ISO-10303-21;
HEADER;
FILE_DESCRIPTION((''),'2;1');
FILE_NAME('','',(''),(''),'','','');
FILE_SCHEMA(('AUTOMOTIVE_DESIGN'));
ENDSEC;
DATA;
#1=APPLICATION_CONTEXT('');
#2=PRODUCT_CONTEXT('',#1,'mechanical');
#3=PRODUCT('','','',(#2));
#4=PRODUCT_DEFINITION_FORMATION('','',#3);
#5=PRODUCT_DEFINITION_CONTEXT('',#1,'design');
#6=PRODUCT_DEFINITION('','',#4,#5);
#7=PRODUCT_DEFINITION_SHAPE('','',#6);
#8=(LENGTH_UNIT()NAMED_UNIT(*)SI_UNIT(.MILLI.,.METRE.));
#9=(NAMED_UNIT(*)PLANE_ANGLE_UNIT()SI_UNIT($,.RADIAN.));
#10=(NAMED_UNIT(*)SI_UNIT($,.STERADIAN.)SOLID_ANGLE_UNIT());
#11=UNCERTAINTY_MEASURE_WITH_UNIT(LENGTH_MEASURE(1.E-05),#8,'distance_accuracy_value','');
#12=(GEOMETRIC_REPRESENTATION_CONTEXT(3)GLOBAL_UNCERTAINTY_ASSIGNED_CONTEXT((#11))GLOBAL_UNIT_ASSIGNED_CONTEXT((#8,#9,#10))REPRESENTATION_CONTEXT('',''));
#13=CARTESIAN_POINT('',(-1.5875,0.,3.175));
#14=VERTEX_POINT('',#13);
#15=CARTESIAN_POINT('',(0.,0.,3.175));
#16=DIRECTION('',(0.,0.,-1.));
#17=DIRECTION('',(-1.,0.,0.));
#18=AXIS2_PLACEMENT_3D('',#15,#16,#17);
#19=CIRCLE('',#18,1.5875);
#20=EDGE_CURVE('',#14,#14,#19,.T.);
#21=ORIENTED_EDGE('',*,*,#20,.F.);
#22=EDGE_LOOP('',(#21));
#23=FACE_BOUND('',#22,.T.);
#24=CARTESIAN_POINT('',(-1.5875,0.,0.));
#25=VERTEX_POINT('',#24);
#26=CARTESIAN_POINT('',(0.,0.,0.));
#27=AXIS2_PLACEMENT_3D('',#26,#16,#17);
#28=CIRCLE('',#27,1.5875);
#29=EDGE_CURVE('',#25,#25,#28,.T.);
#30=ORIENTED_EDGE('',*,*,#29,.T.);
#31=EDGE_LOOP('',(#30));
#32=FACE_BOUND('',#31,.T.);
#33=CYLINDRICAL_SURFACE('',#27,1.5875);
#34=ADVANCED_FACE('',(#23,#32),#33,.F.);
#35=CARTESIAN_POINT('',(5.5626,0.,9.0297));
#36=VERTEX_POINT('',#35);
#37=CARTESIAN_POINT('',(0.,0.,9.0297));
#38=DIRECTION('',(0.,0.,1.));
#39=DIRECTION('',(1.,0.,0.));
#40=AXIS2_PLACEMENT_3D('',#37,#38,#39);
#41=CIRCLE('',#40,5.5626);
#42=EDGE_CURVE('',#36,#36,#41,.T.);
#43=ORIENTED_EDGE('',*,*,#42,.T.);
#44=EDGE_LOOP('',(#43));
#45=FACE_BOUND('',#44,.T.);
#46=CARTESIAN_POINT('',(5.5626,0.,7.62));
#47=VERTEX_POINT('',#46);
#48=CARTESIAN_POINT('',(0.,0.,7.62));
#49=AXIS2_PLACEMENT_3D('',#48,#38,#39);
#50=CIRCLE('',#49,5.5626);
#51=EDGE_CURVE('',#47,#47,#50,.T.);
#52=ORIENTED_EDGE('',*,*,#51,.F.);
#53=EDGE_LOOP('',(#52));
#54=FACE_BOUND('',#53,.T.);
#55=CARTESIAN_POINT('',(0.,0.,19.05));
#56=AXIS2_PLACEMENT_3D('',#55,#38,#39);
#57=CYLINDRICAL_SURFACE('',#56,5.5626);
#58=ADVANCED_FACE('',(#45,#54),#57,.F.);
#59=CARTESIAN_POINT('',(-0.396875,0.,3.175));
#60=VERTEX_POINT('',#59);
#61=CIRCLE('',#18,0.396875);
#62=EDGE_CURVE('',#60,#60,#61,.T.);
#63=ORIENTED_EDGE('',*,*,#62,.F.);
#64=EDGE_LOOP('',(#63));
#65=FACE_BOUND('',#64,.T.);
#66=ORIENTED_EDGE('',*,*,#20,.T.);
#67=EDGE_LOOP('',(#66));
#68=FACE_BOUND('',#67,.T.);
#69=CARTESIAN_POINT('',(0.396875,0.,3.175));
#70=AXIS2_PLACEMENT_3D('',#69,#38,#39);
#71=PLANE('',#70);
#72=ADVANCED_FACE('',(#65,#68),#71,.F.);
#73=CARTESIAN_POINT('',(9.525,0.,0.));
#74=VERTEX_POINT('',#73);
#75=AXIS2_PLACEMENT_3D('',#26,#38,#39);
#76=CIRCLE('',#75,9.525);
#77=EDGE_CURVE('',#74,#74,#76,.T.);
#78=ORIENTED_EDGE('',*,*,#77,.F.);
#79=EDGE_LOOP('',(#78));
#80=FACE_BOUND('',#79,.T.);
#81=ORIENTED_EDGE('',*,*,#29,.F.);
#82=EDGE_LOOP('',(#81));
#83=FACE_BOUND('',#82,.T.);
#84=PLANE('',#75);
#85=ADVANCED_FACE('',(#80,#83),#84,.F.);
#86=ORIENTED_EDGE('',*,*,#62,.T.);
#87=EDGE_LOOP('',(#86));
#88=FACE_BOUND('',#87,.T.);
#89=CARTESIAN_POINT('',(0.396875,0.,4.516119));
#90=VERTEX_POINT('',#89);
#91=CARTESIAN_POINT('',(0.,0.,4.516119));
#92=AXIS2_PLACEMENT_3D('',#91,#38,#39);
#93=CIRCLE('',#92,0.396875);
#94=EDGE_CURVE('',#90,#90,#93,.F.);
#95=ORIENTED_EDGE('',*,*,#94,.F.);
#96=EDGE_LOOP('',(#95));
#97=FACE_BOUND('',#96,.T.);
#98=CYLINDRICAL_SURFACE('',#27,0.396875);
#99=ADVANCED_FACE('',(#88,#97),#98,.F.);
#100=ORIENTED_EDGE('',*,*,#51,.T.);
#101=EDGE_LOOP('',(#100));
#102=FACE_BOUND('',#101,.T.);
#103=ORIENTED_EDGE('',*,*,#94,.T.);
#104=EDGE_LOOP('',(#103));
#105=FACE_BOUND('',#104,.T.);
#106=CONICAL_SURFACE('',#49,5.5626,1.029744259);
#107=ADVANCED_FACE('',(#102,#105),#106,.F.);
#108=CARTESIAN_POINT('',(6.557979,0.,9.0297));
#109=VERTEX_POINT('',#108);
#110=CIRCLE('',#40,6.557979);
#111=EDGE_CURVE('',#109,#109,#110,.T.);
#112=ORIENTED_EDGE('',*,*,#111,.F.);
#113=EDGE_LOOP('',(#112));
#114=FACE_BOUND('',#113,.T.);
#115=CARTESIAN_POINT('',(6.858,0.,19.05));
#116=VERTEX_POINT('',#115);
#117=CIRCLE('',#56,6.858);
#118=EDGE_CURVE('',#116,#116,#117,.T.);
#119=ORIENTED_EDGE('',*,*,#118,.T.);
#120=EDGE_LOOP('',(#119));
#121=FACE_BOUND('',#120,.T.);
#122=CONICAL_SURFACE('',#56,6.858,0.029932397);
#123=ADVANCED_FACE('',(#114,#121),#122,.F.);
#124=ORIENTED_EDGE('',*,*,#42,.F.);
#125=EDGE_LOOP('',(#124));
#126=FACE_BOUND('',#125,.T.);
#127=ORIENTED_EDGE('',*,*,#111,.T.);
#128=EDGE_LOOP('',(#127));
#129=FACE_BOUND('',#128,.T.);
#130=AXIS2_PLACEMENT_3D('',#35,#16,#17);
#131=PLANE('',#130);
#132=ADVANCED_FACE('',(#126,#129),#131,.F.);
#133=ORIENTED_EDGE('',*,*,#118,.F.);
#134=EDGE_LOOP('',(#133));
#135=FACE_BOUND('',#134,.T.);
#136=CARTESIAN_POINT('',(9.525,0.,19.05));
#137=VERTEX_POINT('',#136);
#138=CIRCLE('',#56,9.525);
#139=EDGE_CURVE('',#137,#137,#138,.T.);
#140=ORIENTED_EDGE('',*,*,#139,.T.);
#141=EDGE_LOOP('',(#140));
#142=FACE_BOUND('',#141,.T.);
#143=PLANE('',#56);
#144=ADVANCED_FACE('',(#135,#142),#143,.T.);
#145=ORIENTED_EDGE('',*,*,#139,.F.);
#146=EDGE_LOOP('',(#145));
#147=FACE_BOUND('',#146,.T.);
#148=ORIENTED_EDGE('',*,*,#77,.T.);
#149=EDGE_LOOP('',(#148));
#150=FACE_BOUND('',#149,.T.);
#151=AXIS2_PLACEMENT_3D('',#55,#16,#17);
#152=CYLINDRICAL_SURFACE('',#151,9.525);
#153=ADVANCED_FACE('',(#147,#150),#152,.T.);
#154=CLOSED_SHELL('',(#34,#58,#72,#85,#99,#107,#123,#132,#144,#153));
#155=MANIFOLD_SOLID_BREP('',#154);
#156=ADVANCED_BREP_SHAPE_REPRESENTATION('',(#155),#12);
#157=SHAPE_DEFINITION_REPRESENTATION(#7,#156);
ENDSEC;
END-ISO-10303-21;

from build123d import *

# Parameters (mm, degrees)
SKETCH1_R                                        = 9.525
BOSS_EXTRUDE1_DEPTH                              = 19.05
CBORE_FOR_1_4_SOCKET_HEAD_CAP_SCREW1_D           = 0.79375
CBORE_FOR_1_4_SOCKET_HEAD_CAP_SCREW1_DEPTH       = 12.7
CBORE_FOR_1_4_SOCKET_HEAD_CAP_SCREW1_CBORE_D     = 3.175
CBORE_FOR_1_4_SOCKET_HEAD_CAP_SCREW1_CBORE_DEPTH = 3.175
CBORE_FOR_1_4_SOCKET_HEAD_CAP_SCREW1_TIP         = 0.238466558


with BuildPart() as part:
    # Sketch1 → Boss-Extrude1 (new body)
    with BuildSketch(Plane.XY):
        Circle(SKETCH1_R)
    extrude(amount=BOSS_EXTRUDE1_DEPTH)

    # Sketch6 → 1/4 NPT Tapped Hole1 (revolve, cut)
    with BuildSketch(Plane(origin=(0, 0, 19.05), x_dir=(0, -1, 0), z_dir=(1, 0, 0))):
        Polygon((0, 0), (0, 14.772347279), (5.5626, 11.43), (5.5626, 10.0203), (6.557978799, 10.0203), (6.858, 0), align=None)
    revolve(axis=Axis((0, 0, 25.4), (0, 0, -1)), mode=Mode.SUBTRACT)

    # CBORE for 1/4 Socket Head Cap Screw1
    with Locations(Plane(origin=(0, 0, 0), x_dir=(-1, 0, 0), z_dir=(0, 0, -1))):
        with Locations((0, 0)):
            CounterBoreHole(CBORE_FOR_1_4_SOCKET_HEAD_CAP_SCREW1_D / 2, CBORE_FOR_1_4_SOCKET_HEAD_CAP_SCREW1_CBORE_D / 2, CBORE_FOR_1_4_SOCKET_HEAD_CAP_SCREW1_CBORE_DEPTH, depth=CBORE_FOR_1_4_SOCKET_HEAD_CAP_SCREW1_DEPTH)
            with Locations((0, 0, -(CBORE_FOR_1_4_SOCKET_HEAD_CAP_SCREW1_DEPTH + CBORE_FOR_1_4_SOCKET_HEAD_CAP_SCREW1_TIP / 2))):  # 118° drill point
                Cone(0, CBORE_FOR_1_4_SOCKET_HEAD_CAP_SCREW1_D / 2, CBORE_FOR_1_4_SOCKET_HEAD_CAP_SCREW1_TIP, mode=Mode.SUBTRACT)


solid = part.part
